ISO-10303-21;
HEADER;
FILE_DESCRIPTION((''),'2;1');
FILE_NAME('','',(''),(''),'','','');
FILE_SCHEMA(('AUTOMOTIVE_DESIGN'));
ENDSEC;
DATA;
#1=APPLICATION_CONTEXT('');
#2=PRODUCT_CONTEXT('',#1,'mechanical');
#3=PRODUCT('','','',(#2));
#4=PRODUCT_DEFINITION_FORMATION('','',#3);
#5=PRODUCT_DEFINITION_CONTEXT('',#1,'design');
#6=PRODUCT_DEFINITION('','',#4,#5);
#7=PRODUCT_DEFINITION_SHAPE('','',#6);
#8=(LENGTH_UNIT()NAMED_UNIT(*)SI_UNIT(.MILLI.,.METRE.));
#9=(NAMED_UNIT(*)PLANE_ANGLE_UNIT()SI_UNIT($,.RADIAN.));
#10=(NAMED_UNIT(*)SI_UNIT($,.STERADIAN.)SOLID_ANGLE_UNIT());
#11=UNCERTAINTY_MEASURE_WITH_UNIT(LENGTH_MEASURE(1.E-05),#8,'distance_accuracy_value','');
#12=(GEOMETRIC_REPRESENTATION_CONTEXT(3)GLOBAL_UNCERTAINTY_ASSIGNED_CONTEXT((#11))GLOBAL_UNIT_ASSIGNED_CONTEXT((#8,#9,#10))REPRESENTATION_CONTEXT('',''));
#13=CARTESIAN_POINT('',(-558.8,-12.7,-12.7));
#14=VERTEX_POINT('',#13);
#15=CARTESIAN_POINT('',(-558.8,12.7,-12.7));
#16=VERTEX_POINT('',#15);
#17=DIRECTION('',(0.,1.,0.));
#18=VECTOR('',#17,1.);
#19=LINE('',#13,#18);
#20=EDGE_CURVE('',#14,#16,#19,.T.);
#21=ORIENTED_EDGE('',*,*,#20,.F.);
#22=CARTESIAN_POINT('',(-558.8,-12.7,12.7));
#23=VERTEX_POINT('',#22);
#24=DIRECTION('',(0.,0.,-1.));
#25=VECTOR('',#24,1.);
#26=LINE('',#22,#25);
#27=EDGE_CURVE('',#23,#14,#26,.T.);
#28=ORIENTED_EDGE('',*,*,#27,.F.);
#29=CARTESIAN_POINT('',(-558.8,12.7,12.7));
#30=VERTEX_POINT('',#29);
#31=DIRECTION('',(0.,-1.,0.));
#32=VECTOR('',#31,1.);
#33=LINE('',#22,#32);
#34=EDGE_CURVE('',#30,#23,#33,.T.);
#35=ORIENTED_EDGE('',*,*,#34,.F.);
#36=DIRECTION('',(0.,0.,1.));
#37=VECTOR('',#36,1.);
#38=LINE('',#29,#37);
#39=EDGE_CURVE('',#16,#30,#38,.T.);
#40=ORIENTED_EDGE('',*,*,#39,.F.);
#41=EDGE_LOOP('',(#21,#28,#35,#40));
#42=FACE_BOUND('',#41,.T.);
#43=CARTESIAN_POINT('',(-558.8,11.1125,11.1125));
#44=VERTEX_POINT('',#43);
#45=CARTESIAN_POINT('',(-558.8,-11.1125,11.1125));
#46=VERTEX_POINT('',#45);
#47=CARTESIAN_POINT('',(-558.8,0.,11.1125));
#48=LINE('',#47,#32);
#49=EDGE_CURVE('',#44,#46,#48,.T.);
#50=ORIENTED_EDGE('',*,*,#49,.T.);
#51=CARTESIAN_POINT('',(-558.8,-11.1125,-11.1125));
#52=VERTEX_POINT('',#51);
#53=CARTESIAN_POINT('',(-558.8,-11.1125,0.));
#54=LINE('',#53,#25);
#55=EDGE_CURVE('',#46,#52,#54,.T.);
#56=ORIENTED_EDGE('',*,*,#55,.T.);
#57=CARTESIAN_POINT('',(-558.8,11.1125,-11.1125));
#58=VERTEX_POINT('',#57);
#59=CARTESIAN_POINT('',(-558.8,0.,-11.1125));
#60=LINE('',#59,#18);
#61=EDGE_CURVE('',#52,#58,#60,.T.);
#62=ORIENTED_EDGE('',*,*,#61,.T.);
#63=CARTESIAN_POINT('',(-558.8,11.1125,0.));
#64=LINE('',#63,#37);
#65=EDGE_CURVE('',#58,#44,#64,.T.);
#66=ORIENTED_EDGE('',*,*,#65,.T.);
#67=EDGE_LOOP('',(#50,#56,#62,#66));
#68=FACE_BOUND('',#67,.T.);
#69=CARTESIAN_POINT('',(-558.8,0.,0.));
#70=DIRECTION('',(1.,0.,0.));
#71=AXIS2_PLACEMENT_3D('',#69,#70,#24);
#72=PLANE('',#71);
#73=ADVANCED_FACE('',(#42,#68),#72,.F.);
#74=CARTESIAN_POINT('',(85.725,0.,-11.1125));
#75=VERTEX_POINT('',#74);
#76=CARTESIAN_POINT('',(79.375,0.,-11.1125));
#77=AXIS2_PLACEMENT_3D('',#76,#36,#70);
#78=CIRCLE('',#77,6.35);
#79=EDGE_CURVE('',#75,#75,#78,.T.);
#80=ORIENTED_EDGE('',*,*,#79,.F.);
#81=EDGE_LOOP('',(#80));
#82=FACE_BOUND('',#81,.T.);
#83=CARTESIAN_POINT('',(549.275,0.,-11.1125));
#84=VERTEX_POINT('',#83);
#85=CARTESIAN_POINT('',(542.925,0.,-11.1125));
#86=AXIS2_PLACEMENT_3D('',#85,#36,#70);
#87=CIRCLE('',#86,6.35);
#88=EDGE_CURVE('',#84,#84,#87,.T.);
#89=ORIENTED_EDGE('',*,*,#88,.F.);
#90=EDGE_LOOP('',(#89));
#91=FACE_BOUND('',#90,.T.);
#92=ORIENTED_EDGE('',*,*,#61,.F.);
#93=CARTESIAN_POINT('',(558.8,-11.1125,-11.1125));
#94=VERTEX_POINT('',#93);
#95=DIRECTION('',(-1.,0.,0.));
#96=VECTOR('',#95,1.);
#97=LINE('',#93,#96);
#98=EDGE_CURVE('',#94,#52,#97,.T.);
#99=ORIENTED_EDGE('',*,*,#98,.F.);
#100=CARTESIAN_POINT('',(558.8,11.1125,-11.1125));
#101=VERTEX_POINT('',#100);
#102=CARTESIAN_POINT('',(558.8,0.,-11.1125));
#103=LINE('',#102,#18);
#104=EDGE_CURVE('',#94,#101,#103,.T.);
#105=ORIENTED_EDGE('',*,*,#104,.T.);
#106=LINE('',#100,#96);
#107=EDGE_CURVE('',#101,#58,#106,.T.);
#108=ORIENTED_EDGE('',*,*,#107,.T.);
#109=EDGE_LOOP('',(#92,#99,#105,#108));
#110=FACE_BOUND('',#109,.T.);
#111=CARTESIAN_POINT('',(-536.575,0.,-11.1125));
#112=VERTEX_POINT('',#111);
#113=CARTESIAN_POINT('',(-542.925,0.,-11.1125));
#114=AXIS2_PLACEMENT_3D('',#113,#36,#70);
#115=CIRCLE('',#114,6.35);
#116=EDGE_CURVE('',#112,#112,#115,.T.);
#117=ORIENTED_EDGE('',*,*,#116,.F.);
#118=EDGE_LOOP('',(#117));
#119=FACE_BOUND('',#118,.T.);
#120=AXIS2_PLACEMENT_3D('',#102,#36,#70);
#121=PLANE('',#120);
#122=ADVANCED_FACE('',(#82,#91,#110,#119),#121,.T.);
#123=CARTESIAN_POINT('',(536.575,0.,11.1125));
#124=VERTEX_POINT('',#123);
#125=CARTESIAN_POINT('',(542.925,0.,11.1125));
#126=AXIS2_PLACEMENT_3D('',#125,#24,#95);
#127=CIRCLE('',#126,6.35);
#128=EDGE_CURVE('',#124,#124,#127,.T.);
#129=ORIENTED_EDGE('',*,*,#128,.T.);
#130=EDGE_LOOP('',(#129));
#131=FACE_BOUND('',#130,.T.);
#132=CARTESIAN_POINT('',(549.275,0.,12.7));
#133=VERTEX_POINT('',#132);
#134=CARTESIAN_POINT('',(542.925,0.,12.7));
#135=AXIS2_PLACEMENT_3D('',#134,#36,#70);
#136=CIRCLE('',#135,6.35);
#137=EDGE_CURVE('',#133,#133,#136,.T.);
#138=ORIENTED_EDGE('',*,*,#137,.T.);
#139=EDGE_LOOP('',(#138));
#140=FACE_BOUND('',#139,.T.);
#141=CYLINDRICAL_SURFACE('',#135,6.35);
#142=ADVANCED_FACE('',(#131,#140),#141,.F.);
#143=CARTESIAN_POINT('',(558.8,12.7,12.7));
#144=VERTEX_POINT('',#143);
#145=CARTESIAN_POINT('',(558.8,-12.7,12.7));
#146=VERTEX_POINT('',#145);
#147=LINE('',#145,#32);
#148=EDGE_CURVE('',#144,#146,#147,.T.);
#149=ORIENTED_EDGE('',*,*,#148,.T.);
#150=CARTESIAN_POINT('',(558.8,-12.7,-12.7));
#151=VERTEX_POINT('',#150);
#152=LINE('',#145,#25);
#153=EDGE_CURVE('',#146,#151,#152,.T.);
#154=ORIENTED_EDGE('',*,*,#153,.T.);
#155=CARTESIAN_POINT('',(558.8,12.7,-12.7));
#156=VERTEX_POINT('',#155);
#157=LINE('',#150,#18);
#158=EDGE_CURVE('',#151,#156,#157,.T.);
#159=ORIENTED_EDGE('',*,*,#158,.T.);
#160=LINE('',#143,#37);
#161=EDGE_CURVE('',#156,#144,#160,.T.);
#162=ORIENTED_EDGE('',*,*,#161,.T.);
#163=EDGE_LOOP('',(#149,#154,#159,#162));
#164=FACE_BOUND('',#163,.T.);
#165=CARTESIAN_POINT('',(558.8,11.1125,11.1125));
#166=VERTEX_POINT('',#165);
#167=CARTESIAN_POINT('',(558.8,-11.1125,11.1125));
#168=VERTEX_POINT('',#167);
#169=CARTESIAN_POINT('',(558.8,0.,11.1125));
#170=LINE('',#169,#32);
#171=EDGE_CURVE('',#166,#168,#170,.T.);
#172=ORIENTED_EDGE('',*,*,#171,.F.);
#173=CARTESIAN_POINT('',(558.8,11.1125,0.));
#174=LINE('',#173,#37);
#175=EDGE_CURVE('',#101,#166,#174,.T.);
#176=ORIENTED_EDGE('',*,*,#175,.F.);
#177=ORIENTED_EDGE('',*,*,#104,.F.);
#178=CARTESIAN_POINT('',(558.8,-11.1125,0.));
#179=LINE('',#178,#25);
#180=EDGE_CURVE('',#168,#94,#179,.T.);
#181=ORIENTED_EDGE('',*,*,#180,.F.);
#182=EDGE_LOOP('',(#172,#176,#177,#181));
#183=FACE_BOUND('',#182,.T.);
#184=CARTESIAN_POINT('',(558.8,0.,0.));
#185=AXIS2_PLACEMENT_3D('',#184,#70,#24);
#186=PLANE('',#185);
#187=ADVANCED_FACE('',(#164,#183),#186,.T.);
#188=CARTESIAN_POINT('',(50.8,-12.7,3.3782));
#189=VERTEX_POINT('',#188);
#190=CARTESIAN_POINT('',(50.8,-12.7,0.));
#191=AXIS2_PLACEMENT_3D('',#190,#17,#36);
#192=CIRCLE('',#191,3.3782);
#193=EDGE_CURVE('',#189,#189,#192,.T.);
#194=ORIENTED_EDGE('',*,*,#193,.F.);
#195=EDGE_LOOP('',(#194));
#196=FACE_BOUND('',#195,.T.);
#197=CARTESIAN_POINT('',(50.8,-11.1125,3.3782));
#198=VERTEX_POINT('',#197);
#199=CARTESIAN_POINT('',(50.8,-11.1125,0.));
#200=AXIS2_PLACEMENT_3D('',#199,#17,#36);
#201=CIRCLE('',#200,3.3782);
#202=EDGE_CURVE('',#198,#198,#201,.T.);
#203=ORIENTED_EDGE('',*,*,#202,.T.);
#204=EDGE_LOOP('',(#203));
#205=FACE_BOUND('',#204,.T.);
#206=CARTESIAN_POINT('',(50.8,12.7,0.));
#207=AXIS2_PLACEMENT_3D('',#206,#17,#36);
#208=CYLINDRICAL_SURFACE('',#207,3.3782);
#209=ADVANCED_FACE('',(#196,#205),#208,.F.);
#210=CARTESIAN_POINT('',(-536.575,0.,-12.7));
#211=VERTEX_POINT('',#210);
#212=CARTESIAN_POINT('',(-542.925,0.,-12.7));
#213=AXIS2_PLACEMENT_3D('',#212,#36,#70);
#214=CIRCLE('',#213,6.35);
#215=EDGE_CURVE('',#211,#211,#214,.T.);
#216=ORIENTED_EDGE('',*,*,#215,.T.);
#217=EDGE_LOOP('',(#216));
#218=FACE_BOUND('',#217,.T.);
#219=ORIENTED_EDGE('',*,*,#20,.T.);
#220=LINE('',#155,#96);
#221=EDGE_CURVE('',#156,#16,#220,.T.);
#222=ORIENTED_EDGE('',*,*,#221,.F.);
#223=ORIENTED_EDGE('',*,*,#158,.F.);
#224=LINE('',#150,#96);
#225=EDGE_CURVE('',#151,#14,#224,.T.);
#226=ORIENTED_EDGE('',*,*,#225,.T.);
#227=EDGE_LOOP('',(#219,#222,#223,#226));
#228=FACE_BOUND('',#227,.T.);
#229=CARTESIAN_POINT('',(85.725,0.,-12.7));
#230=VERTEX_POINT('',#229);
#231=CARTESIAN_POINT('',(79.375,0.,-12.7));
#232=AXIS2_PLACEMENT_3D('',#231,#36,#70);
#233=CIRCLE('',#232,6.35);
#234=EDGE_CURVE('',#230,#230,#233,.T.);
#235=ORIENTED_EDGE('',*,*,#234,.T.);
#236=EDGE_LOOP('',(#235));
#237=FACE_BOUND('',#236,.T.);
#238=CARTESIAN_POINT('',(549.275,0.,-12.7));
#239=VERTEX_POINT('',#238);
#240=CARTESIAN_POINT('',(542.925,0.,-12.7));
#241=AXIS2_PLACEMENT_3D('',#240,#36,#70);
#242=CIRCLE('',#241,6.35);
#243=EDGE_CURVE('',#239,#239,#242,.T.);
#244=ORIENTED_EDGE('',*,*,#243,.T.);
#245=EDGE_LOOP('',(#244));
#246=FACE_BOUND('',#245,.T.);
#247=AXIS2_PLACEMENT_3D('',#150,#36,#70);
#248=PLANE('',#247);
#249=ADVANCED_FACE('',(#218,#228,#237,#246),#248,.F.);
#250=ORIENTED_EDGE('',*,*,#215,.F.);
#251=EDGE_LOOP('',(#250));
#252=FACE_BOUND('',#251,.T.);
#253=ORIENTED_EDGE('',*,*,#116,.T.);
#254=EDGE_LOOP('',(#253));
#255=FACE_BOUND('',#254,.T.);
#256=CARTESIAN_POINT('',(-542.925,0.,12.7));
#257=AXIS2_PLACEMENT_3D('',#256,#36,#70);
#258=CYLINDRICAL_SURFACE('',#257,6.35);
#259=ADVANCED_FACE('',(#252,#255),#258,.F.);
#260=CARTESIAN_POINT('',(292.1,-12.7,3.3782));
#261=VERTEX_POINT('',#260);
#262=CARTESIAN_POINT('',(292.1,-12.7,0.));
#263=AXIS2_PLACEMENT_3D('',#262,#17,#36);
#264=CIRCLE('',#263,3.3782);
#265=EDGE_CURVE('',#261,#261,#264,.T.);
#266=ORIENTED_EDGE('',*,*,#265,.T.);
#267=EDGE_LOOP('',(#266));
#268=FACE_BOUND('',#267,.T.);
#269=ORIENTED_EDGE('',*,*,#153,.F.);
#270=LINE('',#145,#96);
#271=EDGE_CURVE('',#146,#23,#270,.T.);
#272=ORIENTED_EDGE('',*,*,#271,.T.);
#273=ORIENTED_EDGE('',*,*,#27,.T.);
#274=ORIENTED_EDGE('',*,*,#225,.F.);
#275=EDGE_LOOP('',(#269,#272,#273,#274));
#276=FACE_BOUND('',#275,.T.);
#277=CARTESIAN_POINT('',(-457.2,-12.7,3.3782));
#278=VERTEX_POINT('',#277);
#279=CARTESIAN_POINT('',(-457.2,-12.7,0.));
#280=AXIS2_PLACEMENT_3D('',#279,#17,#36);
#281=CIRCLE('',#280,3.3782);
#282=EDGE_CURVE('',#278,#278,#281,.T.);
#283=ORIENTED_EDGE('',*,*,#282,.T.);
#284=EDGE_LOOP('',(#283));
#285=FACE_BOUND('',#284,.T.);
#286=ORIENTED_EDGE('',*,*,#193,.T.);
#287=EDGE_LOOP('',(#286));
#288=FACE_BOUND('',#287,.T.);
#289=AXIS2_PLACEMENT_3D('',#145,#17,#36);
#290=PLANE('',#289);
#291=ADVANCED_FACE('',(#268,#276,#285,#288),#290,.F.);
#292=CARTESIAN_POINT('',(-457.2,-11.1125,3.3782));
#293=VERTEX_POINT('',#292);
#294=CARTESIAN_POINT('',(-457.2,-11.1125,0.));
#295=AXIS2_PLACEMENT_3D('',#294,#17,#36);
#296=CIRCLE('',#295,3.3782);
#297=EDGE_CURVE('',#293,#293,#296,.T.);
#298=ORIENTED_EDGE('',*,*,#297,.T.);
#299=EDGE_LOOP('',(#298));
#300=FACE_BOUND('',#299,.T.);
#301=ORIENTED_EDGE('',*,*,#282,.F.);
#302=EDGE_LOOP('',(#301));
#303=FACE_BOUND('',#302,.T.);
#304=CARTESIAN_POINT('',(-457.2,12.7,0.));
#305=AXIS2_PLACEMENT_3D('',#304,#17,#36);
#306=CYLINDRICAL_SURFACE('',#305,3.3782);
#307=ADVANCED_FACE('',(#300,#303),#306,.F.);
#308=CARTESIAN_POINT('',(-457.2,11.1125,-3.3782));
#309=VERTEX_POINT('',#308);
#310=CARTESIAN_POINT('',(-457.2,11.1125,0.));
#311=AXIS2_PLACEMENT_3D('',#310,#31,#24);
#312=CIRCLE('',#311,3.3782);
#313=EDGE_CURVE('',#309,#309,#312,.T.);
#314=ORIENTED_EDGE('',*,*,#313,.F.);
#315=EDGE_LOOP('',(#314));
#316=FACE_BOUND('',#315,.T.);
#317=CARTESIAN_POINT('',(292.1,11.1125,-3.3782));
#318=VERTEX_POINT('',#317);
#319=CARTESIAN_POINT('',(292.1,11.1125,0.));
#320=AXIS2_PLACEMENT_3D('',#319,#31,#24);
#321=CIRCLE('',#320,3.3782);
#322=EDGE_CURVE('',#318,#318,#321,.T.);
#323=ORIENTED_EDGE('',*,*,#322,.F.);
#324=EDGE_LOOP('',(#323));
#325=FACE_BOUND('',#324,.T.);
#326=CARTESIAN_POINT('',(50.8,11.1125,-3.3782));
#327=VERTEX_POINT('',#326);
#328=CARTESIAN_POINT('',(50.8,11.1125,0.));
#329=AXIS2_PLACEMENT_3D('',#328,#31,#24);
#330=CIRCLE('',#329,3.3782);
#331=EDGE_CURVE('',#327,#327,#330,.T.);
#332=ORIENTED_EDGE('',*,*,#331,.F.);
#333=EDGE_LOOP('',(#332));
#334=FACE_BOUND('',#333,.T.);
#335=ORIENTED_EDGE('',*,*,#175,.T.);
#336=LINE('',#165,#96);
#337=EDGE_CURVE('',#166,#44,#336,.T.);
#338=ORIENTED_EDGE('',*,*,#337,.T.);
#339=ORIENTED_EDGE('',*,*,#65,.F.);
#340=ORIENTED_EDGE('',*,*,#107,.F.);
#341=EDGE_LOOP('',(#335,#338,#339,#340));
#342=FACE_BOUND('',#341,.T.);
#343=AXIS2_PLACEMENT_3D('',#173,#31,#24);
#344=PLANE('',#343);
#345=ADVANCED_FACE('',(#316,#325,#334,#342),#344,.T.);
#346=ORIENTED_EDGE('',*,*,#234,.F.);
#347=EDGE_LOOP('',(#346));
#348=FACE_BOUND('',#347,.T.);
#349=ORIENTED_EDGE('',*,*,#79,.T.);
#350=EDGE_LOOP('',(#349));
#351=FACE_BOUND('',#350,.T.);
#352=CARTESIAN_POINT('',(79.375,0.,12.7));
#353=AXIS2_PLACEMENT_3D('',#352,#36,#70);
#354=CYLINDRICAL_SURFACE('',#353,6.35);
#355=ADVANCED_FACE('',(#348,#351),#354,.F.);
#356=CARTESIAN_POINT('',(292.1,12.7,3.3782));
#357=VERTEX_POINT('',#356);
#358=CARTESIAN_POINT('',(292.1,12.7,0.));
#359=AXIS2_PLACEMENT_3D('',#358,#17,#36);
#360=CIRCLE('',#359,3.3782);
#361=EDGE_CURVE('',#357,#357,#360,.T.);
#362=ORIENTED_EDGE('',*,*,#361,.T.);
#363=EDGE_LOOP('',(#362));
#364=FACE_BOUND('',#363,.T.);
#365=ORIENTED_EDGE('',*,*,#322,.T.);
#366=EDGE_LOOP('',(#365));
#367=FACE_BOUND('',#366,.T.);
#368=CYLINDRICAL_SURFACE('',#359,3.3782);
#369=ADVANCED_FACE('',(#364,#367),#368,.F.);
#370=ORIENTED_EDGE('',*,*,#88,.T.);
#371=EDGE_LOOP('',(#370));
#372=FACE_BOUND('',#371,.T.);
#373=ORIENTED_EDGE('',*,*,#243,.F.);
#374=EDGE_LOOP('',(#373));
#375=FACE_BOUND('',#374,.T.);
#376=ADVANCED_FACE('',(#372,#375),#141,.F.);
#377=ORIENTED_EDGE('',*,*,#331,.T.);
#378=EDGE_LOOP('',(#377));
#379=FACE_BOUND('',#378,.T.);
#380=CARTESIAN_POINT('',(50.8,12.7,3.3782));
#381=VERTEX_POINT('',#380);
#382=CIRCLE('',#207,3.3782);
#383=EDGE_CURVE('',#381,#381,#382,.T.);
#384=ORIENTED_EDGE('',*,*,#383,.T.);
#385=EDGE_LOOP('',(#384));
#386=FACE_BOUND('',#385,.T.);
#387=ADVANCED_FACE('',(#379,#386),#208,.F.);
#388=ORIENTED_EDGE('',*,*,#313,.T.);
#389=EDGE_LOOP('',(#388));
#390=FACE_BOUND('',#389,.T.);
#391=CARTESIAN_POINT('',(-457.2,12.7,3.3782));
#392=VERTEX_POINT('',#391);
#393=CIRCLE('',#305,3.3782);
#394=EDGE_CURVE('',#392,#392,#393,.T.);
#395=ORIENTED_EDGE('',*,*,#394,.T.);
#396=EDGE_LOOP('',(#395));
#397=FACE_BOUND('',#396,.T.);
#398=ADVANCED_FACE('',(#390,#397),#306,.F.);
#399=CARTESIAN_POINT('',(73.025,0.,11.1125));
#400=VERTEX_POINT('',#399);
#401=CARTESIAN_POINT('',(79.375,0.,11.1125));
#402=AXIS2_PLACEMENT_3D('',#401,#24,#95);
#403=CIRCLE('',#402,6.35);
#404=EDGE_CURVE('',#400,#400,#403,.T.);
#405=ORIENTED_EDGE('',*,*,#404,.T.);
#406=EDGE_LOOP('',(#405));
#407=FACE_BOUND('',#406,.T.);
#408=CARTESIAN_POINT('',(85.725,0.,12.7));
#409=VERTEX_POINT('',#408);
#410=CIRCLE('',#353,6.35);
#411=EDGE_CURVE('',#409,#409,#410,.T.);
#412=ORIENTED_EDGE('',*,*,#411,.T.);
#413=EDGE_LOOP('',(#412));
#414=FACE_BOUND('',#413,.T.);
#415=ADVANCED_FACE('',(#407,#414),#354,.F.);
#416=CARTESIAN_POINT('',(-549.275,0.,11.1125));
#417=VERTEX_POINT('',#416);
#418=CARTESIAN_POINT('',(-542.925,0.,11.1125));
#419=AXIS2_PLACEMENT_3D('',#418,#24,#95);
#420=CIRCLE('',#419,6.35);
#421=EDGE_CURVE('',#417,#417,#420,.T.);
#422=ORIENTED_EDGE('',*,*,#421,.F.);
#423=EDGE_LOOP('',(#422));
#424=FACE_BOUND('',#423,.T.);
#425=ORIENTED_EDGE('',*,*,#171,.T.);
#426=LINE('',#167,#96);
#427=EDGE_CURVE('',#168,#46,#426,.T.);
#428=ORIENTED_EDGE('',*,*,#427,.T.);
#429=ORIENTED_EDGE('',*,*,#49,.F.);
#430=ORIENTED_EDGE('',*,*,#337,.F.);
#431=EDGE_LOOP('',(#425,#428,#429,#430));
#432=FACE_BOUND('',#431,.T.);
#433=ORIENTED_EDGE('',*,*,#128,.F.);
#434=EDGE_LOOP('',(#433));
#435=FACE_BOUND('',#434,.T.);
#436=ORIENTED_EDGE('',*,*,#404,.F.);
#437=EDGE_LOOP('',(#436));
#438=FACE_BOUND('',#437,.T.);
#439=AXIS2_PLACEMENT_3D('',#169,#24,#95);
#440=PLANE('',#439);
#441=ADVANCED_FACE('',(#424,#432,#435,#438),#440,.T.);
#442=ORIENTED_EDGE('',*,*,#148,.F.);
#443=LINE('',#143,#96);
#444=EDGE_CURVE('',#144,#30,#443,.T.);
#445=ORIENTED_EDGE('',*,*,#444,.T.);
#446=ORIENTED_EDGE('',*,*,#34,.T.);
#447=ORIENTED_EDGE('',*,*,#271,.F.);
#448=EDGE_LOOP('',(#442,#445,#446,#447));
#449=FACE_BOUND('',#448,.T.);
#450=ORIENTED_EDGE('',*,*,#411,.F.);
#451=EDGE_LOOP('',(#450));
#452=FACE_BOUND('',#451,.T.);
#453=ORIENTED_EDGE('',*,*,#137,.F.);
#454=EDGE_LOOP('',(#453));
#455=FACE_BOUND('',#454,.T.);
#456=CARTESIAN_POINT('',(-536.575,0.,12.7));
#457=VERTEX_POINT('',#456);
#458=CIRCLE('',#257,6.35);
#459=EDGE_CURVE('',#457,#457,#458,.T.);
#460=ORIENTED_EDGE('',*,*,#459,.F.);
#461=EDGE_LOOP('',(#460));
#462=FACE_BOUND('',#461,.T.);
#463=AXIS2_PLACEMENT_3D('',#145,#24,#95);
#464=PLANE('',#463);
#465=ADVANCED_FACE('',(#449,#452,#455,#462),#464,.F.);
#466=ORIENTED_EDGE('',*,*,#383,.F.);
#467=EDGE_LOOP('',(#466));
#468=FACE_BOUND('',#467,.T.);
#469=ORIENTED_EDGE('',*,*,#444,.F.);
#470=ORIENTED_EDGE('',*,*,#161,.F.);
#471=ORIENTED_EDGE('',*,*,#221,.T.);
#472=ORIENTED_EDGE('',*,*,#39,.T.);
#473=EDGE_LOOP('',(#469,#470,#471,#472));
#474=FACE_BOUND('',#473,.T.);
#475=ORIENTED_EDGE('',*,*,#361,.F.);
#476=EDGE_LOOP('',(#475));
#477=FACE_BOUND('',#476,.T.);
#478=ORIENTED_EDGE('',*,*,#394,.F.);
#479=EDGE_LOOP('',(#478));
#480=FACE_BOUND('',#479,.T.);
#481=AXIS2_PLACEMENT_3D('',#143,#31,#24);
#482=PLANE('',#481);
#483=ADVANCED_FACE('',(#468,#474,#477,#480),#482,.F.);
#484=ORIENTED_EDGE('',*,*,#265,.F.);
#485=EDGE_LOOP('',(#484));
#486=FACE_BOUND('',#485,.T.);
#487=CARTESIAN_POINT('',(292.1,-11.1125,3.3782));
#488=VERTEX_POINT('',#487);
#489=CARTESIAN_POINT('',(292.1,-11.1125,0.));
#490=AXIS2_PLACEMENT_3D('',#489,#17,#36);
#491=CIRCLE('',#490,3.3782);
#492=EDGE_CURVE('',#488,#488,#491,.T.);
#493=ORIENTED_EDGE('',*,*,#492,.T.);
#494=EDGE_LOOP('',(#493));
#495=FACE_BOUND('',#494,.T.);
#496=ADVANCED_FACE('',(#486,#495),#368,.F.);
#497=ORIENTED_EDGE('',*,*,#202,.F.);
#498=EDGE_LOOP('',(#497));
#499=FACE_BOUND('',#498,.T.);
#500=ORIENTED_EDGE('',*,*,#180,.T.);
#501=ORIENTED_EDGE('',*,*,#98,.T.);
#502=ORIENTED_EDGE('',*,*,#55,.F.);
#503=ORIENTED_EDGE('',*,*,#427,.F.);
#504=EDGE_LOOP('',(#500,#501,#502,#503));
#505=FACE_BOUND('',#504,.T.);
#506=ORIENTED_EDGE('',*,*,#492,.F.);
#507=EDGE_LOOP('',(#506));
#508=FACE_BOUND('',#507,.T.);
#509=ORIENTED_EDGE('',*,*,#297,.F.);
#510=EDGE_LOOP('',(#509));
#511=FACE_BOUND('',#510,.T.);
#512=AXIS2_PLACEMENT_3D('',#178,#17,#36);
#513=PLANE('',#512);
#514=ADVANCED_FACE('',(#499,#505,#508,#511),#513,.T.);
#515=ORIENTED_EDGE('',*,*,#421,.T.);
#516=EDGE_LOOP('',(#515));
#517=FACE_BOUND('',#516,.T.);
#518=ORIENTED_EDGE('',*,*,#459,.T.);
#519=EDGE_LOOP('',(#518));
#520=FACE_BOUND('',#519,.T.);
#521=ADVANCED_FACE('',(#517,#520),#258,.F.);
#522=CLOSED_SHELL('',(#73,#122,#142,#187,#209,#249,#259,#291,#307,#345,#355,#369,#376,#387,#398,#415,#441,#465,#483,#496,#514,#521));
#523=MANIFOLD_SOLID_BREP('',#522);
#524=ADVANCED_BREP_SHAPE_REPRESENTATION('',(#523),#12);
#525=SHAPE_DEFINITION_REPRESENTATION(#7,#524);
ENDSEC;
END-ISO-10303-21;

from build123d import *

# Parameters (mm, degrees)
SKETCH1_W                  = 25.4
SKETCH1_H                  = 25.4
SKETCH1_W_2                = 22.225
SKETCH1_H_2                = 22.225
EXTRUDE_THIN1_DEPTH        = 558.8
F_1_2_0_5_DIAMETER_HOLE1_D = 12.7
F_1_4_CLEARANCE_HOLE1_D    = 6.7564


with BuildPart() as part:
    # Sketch1 → Extrude-Thin1 (new, symmetric)
    with BuildSketch(Plane(origin=(0, 0, 0), x_dir=(0, 0, -1), z_dir=(1, 0, 0))):
        Rectangle(SKETCH1_W, SKETCH1_H)
        Rectangle(SKETCH1_W_2, SKETCH1_H_2, mode=Mode.SUBTRACT)
    extrude(amount=EXTRUDE_THIN1_DEPTH, both=True)

    # 1/2 (0.5) Diameter Hole1 (through all)
    with Locations(Plane.XY.offset(12.7)):
        with Locations((-542.925, 0), (542.925, 0), (79.375, 0)):
            Hole(F_1_2_0_5_DIAMETER_HOLE1_D / 2)

    # 1/4 Clearance Hole1 (through all)
    with Locations(Plane(origin=(0, 12.7, 0), x_dir=(1, 0, 0), z_dir=(0, 1, 0))):
        with Locations((-457.2, 0), (50.8, 0), (292.1, 0)):
            Hole(F_1_4_CLEARANCE_HOLE1_D / 2)


solid = part.part
